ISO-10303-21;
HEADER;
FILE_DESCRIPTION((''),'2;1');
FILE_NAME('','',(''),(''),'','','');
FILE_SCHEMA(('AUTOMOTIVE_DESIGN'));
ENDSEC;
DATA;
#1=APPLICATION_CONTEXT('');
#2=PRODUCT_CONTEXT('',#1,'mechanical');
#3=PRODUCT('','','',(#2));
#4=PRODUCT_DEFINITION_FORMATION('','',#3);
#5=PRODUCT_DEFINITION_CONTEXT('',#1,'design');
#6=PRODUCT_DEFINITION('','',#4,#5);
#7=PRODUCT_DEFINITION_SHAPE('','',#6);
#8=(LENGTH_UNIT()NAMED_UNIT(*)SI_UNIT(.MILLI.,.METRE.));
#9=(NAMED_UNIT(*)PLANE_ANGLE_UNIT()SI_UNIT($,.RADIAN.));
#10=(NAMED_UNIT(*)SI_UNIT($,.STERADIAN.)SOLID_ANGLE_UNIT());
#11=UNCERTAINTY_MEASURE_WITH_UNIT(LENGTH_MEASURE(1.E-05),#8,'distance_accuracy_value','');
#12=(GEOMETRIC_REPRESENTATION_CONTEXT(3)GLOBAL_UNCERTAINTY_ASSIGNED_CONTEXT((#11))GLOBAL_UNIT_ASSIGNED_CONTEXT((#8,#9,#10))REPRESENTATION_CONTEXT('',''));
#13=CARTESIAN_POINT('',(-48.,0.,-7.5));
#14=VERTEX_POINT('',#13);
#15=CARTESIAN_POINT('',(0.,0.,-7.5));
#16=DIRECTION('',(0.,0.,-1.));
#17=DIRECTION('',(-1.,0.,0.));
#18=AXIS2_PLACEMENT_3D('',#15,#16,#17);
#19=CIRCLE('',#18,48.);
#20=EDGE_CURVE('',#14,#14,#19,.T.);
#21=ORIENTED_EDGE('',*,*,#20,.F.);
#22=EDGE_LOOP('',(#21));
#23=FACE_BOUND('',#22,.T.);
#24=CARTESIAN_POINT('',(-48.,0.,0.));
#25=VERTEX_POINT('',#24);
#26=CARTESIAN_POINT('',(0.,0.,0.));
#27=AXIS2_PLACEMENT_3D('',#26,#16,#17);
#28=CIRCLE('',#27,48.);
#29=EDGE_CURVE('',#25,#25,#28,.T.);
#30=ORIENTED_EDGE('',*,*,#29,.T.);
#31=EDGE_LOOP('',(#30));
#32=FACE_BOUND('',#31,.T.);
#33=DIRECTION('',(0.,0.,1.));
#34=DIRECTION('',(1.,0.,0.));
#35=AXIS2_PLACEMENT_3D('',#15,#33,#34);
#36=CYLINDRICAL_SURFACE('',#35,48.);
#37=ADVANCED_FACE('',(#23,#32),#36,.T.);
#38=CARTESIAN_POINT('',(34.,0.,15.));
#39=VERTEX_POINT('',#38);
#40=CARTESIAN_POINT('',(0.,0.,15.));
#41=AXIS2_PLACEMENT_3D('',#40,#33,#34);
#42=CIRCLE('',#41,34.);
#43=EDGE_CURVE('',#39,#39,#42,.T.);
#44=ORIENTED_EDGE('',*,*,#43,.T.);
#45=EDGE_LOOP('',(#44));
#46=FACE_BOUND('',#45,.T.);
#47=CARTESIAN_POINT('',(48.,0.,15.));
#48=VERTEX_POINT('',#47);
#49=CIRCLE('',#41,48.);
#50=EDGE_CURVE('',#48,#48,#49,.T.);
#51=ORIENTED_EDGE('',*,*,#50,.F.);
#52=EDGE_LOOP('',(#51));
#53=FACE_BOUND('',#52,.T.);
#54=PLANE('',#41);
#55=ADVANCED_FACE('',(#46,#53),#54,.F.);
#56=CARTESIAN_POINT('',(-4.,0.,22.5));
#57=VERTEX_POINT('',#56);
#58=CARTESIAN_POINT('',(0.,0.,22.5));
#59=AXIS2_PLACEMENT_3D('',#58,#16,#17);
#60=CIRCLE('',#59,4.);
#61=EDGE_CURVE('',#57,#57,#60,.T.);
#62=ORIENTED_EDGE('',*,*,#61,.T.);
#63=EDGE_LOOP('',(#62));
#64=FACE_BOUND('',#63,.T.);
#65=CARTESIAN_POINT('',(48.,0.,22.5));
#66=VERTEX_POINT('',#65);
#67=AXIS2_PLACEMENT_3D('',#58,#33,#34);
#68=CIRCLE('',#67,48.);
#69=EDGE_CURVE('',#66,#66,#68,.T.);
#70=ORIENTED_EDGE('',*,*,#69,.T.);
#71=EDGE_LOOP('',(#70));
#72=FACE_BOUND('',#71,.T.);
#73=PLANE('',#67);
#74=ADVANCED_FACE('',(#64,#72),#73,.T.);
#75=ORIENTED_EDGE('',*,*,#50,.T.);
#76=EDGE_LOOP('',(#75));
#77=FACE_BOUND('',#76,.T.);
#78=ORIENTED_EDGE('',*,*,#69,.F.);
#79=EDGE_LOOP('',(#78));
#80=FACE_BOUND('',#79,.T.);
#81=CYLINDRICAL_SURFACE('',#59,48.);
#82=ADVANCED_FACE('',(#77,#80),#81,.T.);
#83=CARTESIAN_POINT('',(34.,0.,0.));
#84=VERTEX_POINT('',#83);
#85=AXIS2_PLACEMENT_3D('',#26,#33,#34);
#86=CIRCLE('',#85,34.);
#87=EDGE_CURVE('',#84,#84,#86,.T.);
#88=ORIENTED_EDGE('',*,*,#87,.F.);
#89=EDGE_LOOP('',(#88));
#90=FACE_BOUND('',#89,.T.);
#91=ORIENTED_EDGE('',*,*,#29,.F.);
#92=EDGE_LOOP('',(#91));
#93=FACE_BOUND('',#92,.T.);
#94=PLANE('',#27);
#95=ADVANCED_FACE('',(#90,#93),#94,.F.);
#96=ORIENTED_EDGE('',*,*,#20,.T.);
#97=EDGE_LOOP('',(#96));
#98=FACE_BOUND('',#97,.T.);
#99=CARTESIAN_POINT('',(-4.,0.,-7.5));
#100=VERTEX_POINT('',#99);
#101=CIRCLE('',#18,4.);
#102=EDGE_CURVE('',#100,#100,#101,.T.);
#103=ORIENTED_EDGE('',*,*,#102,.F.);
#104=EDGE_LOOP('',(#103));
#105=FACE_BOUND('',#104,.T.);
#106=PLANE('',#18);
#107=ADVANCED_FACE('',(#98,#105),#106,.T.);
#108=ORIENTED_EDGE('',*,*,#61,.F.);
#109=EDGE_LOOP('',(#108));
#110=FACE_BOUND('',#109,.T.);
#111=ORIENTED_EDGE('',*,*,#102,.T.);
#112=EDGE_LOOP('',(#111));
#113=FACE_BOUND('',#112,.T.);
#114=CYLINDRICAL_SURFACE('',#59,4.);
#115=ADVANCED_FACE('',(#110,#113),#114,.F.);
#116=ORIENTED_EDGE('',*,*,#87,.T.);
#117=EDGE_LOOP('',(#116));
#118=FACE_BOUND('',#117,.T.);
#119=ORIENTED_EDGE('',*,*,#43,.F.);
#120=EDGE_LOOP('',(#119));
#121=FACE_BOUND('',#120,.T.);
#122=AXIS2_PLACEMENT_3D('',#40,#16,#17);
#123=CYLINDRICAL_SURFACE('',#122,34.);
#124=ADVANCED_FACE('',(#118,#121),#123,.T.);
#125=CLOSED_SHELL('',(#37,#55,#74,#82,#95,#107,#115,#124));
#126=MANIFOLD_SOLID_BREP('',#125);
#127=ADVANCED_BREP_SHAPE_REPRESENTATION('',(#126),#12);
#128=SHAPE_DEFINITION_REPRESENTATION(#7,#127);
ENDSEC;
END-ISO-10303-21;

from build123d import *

# Parameters (mm, degrees)
SKETCH1_R           = 34
BOSS_EXTRUDE1_DEPTH = 15
SKETCH2_R           = 48
BOSS_EXTRUDE2_DEPTH = 7.5
BOSS_EXTRUDE3_START = 7.5
SKETCH3_R           = 48
BOSS_EXTRUDE3_DEPTH = 7.5
SKETCH4_R           = 4
CUT_EXTRUDE1_DEPTH  = 30


with BuildPart() as part:
    # Sketch1 → Boss-Extrude1 (new body)
    with BuildSketch(Plane.XY):
        Circle(SKETCH1_R)
    extrude(amount=BOSS_EXTRUDE1_DEPTH)

    # Sketch2 → Boss-Extrude2 (add)
    with BuildSketch(Plane.XY.offset(15)):
        Circle(SKETCH2_R)
    extrude(amount=BOSS_EXTRUDE2_DEPTH)

    # Sketch3 → Boss-Extrude3 (add)
    with BuildSketch(Plane(origin=(0, 0, 0), x_dir=(-1, 0, 0), z_dir=(0, 0, -1)).offset(BOSS_EXTRUDE3_START)):
        with Locations(Location((0, 0, 0), (0, 0, 180))):
            Circle(SKETCH3_R)
    extrude(amount=-BOSS_EXTRUDE3_DEPTH)

    # Sketch4 → Cut-Extrude1 (cut)
    with BuildSketch(Plane(origin=(0, 0, -7.5), x_dir=(-1, 0, 0), z_dir=(0, 0, -1))):
        Circle(SKETCH4_R)
    extrude(amount=-CUT_EXTRUDE1_DEPTH, mode=Mode.SUBTRACT)


solid = part.part
